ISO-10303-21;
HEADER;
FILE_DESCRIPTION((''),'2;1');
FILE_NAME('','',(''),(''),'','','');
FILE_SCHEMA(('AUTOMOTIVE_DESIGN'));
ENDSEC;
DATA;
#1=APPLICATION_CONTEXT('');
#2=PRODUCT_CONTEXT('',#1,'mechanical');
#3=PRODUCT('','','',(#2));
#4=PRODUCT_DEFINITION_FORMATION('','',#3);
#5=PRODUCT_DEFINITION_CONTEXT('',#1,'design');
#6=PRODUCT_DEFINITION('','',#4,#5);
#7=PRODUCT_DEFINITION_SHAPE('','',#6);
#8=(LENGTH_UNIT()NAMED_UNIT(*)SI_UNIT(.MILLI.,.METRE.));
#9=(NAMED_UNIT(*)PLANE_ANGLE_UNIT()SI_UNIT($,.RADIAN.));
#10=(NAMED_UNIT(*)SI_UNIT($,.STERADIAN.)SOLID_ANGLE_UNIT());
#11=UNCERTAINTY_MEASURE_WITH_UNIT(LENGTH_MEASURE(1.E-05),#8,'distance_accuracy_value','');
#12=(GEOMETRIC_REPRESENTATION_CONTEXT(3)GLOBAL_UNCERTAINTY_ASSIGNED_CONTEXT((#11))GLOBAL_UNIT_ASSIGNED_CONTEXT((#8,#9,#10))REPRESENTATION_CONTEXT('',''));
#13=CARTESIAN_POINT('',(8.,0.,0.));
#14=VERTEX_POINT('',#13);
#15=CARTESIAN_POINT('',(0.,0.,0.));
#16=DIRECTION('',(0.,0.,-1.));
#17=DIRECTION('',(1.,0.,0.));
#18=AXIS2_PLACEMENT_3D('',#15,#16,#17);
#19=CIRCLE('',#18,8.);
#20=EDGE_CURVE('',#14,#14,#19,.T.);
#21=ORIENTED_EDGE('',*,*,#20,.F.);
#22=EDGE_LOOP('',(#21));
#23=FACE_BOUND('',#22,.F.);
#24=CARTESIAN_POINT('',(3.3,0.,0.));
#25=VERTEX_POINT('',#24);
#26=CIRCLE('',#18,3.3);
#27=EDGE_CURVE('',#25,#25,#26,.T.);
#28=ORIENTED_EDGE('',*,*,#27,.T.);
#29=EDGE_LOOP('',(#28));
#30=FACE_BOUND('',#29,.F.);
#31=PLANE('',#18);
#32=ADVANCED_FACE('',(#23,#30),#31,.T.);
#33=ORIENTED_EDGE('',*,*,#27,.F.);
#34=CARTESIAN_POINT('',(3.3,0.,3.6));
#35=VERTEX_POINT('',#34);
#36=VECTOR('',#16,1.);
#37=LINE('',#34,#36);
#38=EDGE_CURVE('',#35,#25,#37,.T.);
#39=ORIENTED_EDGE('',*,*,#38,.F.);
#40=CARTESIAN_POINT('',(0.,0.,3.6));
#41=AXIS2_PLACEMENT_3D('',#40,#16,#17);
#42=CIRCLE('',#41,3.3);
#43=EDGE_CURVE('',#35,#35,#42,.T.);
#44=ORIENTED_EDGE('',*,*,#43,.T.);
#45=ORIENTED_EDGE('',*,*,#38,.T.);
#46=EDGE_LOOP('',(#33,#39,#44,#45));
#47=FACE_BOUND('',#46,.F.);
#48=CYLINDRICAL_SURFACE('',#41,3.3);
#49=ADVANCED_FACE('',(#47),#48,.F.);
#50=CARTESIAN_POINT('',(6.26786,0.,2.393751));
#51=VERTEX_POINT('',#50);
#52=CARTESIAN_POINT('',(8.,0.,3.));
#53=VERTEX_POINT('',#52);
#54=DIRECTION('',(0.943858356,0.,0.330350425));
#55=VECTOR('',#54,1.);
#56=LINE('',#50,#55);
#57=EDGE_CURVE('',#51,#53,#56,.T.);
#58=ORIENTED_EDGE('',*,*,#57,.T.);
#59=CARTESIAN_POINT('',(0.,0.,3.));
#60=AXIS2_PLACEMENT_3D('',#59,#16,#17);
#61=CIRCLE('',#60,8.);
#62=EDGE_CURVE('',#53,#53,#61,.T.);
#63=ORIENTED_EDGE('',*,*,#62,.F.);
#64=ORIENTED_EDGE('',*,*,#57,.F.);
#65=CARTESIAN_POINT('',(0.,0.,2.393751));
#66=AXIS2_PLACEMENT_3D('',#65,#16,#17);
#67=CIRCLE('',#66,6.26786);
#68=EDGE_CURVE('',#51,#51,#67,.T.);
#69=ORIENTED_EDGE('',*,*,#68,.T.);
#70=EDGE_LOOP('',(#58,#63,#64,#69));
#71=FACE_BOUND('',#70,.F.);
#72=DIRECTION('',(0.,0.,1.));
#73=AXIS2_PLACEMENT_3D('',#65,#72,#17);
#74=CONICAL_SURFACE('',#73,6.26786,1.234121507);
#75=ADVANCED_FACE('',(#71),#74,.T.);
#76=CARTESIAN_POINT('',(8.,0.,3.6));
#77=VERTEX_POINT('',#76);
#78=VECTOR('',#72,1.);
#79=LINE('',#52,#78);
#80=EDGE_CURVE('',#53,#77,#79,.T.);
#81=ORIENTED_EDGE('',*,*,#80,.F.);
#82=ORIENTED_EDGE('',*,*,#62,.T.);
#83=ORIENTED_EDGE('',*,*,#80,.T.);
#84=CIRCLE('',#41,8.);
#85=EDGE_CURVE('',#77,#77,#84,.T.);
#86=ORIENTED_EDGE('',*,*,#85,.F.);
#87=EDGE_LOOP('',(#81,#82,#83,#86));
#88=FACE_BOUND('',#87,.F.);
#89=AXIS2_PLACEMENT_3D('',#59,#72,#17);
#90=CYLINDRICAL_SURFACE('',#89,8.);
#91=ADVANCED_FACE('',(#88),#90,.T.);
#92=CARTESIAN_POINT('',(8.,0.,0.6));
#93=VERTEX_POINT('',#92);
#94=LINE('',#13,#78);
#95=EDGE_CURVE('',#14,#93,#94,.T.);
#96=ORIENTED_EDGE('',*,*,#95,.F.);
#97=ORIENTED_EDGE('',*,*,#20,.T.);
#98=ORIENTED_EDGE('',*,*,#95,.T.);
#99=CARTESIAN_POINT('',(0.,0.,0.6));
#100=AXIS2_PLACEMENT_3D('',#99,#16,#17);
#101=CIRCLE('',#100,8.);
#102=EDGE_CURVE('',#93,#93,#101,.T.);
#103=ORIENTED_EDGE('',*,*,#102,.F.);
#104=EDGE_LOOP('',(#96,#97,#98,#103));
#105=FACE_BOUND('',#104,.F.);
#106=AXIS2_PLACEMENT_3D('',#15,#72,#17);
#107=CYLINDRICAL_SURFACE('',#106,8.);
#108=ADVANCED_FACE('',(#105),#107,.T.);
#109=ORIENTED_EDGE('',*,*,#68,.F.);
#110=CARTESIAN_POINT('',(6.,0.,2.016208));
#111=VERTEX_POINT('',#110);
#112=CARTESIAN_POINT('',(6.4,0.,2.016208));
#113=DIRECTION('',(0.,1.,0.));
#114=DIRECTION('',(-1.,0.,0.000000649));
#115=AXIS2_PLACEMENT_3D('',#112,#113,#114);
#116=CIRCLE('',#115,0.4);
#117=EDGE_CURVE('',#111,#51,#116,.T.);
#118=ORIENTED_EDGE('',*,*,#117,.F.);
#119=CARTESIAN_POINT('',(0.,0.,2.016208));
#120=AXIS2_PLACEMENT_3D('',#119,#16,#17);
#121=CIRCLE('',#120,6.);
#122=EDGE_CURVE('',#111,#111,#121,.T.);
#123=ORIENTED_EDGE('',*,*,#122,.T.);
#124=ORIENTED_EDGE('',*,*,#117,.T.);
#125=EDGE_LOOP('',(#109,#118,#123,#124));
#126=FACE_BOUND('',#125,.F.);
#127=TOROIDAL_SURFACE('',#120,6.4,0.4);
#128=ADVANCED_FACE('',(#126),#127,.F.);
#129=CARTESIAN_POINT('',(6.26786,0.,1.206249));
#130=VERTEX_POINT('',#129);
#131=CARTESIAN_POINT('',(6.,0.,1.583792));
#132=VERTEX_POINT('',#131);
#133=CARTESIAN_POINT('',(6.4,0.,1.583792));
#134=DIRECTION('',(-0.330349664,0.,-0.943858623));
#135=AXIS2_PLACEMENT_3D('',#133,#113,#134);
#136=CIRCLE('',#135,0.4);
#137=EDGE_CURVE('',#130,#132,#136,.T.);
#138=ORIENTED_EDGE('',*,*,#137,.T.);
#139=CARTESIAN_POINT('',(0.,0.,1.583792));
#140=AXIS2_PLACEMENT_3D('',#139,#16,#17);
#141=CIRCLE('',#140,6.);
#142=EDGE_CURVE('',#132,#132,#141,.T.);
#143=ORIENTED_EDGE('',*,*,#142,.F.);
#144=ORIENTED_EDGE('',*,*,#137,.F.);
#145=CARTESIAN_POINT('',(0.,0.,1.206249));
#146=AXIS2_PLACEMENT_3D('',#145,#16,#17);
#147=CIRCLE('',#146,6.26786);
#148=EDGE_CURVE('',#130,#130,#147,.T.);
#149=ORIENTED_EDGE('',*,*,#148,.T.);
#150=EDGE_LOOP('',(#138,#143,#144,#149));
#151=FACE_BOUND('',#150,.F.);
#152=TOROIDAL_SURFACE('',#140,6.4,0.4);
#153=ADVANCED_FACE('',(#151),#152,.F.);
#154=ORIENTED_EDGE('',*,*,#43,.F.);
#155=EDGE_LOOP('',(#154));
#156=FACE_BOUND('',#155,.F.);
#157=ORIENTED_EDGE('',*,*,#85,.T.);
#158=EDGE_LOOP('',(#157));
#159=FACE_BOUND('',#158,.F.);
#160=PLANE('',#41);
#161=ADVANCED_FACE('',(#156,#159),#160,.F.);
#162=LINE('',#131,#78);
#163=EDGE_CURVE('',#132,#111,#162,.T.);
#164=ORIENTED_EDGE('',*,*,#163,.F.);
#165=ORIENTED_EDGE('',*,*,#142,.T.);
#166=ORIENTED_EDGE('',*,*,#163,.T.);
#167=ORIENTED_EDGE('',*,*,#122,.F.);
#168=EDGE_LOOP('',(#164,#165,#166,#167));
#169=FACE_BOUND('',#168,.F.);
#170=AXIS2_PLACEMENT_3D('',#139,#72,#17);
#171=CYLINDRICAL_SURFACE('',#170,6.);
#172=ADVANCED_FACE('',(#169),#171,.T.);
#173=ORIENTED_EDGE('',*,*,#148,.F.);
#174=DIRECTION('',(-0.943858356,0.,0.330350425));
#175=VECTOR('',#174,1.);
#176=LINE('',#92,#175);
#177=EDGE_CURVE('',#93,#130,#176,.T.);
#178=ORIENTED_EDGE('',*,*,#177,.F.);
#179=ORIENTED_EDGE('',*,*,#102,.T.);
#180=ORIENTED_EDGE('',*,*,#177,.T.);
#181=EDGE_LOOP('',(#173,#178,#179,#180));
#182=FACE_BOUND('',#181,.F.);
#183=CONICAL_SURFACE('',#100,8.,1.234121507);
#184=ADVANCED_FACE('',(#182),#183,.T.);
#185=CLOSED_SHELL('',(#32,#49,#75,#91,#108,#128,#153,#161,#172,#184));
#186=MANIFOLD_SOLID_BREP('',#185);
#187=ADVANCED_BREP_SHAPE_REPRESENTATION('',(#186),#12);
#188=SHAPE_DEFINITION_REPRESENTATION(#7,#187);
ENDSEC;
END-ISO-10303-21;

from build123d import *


with BuildPart() as f1:
    # F0 (on Front) → F1 (revolve)
    with BuildSketch(Plane.XZ):
        with BuildLine():
            Line((3.3, 3.6), (3.3, 0))
            Line((3.3, 0), (8, 0))
            Line((8, 0), (8, 0.6))
            Line((8, 0.6), (6.26786, 1.206249))
            ThreePointArc((6.26786, 1.206249), (6.073767, 1.352336), (6, 1.583792))
            Line((6, 1.583792), (6, 2.016208))
            ThreePointArc((6, 2.016208), (6.073767, 2.247664), (6.26786, 2.393751))
            Line((6.26786, 2.393751), (8, 3))
            Line((8, 3), (8, 3.6))
            Line((8, 3.6), (3.3, 3.6))
        make_face()
    revolve(axis=Axis((0, 0, 0.328301), (0, 0, -1)))


solid = f1.part
